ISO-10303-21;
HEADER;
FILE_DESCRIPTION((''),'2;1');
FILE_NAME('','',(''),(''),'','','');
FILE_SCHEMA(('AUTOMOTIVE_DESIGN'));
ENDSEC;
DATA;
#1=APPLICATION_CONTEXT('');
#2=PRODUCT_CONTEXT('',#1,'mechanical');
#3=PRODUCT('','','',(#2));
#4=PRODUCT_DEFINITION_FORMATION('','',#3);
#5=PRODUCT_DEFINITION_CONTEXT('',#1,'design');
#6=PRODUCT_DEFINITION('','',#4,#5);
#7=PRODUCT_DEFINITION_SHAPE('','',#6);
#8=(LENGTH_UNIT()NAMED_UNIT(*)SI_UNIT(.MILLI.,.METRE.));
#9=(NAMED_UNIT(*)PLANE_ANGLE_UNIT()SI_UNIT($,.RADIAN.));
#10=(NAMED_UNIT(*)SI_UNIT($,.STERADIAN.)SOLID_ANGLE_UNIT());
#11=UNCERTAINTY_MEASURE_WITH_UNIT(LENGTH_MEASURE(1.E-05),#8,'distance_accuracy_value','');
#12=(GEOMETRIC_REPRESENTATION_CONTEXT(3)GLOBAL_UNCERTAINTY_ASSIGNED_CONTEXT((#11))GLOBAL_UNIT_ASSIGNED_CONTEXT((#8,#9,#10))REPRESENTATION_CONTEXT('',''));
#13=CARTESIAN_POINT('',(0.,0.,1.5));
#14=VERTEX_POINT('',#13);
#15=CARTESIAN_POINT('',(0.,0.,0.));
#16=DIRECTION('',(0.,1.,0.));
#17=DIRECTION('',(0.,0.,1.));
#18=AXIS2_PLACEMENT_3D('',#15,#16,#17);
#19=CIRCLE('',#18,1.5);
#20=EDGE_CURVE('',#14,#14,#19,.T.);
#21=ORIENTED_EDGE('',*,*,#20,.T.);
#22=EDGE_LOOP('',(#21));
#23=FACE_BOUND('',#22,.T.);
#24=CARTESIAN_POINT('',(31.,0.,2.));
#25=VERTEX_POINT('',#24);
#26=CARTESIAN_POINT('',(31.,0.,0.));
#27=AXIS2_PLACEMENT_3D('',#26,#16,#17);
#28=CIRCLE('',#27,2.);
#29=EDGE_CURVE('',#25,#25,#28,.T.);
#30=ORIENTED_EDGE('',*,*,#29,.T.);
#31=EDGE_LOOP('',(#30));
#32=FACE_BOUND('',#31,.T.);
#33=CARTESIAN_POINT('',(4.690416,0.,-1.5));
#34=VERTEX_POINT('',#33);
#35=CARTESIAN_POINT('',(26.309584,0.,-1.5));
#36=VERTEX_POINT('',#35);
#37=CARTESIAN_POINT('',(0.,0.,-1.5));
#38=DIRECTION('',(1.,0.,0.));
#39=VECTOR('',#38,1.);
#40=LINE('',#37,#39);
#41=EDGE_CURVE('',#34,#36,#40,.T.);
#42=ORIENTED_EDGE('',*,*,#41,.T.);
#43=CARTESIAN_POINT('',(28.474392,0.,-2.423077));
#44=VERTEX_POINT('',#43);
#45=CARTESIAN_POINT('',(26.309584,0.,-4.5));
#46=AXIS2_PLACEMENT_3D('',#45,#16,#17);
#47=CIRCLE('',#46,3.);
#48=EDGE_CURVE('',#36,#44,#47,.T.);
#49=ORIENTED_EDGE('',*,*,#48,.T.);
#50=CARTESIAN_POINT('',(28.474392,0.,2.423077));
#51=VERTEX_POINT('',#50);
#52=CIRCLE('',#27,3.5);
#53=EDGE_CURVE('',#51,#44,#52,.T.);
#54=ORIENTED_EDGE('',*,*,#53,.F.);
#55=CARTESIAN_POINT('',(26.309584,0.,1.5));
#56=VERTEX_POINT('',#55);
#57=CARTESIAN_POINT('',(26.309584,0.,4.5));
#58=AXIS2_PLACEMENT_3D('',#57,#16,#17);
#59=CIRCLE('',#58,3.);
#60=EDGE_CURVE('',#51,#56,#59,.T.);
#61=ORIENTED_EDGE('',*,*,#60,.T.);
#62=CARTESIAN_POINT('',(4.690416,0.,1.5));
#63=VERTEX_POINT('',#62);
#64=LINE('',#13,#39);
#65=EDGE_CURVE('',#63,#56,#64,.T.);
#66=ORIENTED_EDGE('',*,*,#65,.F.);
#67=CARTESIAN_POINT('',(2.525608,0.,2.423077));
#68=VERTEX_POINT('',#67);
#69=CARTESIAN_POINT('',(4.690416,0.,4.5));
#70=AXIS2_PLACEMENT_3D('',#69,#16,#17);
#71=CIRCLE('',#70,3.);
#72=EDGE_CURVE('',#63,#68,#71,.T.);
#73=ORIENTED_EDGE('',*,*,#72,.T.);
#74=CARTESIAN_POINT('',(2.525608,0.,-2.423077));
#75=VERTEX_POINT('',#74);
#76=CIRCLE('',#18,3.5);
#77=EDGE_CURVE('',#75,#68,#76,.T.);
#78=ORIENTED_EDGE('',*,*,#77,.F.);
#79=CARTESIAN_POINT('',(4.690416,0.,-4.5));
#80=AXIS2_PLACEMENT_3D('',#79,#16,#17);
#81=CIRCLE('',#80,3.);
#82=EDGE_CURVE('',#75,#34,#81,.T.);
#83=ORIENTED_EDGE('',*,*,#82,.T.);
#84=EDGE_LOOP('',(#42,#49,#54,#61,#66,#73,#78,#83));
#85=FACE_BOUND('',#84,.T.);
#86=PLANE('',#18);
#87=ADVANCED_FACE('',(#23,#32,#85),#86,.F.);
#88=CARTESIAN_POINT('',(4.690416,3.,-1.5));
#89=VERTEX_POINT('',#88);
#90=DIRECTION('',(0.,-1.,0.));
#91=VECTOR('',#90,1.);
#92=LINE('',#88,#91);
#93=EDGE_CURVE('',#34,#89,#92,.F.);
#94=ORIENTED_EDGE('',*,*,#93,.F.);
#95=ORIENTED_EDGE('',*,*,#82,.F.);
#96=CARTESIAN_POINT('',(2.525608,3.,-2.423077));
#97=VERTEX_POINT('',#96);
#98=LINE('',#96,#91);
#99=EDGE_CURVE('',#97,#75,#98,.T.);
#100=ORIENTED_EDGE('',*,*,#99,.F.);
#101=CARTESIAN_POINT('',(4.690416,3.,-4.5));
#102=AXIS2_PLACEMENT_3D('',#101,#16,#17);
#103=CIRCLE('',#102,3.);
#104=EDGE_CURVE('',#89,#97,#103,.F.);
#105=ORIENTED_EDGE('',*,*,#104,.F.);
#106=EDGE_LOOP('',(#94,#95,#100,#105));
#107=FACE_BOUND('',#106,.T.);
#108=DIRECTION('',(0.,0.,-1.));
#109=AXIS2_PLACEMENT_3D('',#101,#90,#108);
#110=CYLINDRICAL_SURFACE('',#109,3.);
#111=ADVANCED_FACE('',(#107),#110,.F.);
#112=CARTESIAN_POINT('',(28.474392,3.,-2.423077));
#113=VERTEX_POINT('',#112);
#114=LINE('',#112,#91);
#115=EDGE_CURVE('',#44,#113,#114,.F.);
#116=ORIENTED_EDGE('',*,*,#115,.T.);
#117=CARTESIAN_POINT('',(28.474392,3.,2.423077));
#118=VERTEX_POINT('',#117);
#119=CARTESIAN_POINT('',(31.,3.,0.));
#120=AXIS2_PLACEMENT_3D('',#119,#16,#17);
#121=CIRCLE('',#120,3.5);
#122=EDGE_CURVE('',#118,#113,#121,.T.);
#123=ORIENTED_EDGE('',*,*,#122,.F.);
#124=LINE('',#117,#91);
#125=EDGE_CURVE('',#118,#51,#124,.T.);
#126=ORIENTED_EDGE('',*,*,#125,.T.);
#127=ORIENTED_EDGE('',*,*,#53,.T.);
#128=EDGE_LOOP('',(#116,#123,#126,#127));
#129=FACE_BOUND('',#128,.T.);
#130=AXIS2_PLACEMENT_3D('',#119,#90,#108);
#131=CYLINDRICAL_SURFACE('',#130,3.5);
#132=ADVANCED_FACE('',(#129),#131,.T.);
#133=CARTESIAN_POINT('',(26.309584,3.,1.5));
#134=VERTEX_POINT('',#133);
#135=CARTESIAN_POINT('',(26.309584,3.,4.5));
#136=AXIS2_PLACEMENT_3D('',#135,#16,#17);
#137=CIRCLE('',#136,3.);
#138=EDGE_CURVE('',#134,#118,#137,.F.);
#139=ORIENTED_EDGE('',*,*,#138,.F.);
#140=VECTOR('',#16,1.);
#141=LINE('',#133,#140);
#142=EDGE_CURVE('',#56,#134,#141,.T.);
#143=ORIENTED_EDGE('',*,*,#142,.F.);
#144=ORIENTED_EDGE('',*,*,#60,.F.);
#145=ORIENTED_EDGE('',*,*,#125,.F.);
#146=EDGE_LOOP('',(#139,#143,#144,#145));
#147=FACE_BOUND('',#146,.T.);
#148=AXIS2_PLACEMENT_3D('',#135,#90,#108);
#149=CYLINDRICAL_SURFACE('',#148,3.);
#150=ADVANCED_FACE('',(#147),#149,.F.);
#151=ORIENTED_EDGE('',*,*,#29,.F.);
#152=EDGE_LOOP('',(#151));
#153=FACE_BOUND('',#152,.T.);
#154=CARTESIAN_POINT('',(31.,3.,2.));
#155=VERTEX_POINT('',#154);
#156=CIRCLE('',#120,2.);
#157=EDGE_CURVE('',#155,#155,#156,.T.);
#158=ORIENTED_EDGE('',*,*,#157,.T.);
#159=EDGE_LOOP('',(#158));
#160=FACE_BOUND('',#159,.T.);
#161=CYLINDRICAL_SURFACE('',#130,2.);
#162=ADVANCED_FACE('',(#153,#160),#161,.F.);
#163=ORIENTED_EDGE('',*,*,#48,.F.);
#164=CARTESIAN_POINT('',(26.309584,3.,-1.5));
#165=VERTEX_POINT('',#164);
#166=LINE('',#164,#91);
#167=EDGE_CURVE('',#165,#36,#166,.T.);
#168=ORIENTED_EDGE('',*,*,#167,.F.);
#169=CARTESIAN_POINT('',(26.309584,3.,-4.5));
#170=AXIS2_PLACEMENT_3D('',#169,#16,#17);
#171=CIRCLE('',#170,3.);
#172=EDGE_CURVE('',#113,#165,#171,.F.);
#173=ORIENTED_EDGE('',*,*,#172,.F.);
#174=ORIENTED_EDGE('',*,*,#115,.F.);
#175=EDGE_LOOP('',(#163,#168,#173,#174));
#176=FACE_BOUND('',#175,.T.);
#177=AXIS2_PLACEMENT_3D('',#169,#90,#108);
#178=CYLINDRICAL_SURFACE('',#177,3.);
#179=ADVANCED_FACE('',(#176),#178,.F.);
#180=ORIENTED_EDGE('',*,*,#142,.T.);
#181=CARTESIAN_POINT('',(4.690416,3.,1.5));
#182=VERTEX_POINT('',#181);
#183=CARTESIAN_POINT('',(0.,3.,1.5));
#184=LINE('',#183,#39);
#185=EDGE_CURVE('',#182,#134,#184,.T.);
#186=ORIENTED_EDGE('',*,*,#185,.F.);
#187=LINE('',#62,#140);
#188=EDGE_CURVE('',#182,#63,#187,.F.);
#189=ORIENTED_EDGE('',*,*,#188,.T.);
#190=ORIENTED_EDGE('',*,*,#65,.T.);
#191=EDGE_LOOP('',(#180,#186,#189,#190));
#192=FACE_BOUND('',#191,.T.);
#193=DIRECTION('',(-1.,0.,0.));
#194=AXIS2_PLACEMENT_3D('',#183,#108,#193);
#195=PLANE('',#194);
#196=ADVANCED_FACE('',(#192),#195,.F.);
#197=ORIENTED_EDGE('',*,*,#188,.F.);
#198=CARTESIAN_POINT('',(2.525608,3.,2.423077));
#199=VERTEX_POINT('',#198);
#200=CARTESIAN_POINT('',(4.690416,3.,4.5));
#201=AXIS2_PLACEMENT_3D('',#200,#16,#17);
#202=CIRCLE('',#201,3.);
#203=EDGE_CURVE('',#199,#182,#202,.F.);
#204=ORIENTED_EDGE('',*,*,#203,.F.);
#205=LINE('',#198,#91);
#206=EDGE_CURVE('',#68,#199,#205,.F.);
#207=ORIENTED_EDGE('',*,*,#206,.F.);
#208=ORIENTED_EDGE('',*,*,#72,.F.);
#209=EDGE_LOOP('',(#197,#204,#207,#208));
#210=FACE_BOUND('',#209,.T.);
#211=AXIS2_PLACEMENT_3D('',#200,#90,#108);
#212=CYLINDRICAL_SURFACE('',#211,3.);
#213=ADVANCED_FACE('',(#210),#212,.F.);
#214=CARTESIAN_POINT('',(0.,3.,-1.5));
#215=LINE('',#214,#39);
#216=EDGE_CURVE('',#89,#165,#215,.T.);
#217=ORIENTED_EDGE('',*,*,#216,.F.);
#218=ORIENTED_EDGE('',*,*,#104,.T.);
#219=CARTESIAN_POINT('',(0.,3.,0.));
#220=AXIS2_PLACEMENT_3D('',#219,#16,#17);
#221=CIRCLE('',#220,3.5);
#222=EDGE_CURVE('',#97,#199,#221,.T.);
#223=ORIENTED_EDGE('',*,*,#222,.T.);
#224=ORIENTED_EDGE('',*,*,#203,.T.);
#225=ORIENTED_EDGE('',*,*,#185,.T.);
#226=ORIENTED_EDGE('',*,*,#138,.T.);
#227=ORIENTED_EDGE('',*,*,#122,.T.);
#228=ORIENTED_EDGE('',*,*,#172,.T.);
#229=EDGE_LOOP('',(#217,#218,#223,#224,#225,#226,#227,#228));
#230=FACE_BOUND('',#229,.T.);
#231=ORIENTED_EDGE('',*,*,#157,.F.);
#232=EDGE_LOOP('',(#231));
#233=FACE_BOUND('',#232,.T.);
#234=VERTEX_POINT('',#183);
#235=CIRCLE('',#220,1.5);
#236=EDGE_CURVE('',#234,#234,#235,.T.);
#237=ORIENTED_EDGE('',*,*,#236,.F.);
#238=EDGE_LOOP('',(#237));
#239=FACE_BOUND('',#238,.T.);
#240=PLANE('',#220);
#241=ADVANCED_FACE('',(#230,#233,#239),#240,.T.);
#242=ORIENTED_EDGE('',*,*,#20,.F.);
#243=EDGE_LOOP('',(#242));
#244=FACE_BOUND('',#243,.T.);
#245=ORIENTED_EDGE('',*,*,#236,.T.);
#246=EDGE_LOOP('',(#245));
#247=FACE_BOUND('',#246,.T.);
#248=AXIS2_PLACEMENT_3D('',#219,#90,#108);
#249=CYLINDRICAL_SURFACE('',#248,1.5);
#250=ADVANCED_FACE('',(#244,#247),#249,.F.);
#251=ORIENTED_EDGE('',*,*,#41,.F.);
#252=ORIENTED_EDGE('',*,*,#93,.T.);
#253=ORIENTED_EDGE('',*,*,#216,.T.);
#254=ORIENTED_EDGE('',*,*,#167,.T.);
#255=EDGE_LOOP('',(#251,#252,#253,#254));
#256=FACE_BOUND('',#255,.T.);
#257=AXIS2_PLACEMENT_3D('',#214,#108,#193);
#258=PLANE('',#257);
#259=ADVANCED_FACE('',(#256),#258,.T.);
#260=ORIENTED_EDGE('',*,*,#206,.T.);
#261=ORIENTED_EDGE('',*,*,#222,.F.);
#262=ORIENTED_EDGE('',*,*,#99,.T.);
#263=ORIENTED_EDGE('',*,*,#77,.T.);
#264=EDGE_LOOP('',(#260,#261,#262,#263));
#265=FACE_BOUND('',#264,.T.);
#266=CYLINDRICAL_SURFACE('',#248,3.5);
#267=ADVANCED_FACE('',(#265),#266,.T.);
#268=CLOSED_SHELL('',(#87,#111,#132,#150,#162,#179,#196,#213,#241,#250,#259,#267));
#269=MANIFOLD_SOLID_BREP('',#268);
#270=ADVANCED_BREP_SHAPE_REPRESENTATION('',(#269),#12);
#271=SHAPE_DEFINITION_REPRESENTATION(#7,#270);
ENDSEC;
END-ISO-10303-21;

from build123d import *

# Parameters (mm, degrees)
SKETCH1_R           = 1.5
SKETCH1_R_2         = 2
BOSS_EXTRUDE1_DEPTH = 3
FILLET1_R           = 3


with BuildPart() as part:
    # Sketch1 → Boss-Extrude1 (new body)
    with BuildSketch(Plane(origin=(0, 0, 0), x_dir=(1, 0, 0), z_dir=(0, 1, 0))):
        with BuildLine():
            ThreePointArc((3.16227766, 1.5), (-3.5, 0), (3.16227766, -1.5))
            Line((3.16227766, -1.5), (27.83772234, -1.5))
            ThreePointArc((27.83772234, -1.5), (34.5, 0), (27.83772234, 1.5))
            Line((27.83772234, 1.5), (3.16227766, 1.5))
        make_face()
        with Locations(Location((0, 0, 0), (0, 0, 270))):
            Circle(SKETCH1_R, mode=Mode.SUBTRACT)
        with Locations(Location((31, 0, 0), (0, 0, 270))):
            Circle(SKETCH1_R_2, mode=Mode.SUBTRACT)
    extrude(amount=BOSS_EXTRUDE1_DEPTH)

    # Fillet1
    fillet1_edges = [part.edges().sort_by_distance(p)[0] for p in [
        (27.83772234, 1.5, 1.5),
        (3.16227766, 1.5, 1.5),
        (3.16227766, 1.5, -1.5),
        (27.83772234, 1.5, -1.5),
    ]]
    fillet(fillet1_edges, radius=FILLET1_R)


solid = part.part
